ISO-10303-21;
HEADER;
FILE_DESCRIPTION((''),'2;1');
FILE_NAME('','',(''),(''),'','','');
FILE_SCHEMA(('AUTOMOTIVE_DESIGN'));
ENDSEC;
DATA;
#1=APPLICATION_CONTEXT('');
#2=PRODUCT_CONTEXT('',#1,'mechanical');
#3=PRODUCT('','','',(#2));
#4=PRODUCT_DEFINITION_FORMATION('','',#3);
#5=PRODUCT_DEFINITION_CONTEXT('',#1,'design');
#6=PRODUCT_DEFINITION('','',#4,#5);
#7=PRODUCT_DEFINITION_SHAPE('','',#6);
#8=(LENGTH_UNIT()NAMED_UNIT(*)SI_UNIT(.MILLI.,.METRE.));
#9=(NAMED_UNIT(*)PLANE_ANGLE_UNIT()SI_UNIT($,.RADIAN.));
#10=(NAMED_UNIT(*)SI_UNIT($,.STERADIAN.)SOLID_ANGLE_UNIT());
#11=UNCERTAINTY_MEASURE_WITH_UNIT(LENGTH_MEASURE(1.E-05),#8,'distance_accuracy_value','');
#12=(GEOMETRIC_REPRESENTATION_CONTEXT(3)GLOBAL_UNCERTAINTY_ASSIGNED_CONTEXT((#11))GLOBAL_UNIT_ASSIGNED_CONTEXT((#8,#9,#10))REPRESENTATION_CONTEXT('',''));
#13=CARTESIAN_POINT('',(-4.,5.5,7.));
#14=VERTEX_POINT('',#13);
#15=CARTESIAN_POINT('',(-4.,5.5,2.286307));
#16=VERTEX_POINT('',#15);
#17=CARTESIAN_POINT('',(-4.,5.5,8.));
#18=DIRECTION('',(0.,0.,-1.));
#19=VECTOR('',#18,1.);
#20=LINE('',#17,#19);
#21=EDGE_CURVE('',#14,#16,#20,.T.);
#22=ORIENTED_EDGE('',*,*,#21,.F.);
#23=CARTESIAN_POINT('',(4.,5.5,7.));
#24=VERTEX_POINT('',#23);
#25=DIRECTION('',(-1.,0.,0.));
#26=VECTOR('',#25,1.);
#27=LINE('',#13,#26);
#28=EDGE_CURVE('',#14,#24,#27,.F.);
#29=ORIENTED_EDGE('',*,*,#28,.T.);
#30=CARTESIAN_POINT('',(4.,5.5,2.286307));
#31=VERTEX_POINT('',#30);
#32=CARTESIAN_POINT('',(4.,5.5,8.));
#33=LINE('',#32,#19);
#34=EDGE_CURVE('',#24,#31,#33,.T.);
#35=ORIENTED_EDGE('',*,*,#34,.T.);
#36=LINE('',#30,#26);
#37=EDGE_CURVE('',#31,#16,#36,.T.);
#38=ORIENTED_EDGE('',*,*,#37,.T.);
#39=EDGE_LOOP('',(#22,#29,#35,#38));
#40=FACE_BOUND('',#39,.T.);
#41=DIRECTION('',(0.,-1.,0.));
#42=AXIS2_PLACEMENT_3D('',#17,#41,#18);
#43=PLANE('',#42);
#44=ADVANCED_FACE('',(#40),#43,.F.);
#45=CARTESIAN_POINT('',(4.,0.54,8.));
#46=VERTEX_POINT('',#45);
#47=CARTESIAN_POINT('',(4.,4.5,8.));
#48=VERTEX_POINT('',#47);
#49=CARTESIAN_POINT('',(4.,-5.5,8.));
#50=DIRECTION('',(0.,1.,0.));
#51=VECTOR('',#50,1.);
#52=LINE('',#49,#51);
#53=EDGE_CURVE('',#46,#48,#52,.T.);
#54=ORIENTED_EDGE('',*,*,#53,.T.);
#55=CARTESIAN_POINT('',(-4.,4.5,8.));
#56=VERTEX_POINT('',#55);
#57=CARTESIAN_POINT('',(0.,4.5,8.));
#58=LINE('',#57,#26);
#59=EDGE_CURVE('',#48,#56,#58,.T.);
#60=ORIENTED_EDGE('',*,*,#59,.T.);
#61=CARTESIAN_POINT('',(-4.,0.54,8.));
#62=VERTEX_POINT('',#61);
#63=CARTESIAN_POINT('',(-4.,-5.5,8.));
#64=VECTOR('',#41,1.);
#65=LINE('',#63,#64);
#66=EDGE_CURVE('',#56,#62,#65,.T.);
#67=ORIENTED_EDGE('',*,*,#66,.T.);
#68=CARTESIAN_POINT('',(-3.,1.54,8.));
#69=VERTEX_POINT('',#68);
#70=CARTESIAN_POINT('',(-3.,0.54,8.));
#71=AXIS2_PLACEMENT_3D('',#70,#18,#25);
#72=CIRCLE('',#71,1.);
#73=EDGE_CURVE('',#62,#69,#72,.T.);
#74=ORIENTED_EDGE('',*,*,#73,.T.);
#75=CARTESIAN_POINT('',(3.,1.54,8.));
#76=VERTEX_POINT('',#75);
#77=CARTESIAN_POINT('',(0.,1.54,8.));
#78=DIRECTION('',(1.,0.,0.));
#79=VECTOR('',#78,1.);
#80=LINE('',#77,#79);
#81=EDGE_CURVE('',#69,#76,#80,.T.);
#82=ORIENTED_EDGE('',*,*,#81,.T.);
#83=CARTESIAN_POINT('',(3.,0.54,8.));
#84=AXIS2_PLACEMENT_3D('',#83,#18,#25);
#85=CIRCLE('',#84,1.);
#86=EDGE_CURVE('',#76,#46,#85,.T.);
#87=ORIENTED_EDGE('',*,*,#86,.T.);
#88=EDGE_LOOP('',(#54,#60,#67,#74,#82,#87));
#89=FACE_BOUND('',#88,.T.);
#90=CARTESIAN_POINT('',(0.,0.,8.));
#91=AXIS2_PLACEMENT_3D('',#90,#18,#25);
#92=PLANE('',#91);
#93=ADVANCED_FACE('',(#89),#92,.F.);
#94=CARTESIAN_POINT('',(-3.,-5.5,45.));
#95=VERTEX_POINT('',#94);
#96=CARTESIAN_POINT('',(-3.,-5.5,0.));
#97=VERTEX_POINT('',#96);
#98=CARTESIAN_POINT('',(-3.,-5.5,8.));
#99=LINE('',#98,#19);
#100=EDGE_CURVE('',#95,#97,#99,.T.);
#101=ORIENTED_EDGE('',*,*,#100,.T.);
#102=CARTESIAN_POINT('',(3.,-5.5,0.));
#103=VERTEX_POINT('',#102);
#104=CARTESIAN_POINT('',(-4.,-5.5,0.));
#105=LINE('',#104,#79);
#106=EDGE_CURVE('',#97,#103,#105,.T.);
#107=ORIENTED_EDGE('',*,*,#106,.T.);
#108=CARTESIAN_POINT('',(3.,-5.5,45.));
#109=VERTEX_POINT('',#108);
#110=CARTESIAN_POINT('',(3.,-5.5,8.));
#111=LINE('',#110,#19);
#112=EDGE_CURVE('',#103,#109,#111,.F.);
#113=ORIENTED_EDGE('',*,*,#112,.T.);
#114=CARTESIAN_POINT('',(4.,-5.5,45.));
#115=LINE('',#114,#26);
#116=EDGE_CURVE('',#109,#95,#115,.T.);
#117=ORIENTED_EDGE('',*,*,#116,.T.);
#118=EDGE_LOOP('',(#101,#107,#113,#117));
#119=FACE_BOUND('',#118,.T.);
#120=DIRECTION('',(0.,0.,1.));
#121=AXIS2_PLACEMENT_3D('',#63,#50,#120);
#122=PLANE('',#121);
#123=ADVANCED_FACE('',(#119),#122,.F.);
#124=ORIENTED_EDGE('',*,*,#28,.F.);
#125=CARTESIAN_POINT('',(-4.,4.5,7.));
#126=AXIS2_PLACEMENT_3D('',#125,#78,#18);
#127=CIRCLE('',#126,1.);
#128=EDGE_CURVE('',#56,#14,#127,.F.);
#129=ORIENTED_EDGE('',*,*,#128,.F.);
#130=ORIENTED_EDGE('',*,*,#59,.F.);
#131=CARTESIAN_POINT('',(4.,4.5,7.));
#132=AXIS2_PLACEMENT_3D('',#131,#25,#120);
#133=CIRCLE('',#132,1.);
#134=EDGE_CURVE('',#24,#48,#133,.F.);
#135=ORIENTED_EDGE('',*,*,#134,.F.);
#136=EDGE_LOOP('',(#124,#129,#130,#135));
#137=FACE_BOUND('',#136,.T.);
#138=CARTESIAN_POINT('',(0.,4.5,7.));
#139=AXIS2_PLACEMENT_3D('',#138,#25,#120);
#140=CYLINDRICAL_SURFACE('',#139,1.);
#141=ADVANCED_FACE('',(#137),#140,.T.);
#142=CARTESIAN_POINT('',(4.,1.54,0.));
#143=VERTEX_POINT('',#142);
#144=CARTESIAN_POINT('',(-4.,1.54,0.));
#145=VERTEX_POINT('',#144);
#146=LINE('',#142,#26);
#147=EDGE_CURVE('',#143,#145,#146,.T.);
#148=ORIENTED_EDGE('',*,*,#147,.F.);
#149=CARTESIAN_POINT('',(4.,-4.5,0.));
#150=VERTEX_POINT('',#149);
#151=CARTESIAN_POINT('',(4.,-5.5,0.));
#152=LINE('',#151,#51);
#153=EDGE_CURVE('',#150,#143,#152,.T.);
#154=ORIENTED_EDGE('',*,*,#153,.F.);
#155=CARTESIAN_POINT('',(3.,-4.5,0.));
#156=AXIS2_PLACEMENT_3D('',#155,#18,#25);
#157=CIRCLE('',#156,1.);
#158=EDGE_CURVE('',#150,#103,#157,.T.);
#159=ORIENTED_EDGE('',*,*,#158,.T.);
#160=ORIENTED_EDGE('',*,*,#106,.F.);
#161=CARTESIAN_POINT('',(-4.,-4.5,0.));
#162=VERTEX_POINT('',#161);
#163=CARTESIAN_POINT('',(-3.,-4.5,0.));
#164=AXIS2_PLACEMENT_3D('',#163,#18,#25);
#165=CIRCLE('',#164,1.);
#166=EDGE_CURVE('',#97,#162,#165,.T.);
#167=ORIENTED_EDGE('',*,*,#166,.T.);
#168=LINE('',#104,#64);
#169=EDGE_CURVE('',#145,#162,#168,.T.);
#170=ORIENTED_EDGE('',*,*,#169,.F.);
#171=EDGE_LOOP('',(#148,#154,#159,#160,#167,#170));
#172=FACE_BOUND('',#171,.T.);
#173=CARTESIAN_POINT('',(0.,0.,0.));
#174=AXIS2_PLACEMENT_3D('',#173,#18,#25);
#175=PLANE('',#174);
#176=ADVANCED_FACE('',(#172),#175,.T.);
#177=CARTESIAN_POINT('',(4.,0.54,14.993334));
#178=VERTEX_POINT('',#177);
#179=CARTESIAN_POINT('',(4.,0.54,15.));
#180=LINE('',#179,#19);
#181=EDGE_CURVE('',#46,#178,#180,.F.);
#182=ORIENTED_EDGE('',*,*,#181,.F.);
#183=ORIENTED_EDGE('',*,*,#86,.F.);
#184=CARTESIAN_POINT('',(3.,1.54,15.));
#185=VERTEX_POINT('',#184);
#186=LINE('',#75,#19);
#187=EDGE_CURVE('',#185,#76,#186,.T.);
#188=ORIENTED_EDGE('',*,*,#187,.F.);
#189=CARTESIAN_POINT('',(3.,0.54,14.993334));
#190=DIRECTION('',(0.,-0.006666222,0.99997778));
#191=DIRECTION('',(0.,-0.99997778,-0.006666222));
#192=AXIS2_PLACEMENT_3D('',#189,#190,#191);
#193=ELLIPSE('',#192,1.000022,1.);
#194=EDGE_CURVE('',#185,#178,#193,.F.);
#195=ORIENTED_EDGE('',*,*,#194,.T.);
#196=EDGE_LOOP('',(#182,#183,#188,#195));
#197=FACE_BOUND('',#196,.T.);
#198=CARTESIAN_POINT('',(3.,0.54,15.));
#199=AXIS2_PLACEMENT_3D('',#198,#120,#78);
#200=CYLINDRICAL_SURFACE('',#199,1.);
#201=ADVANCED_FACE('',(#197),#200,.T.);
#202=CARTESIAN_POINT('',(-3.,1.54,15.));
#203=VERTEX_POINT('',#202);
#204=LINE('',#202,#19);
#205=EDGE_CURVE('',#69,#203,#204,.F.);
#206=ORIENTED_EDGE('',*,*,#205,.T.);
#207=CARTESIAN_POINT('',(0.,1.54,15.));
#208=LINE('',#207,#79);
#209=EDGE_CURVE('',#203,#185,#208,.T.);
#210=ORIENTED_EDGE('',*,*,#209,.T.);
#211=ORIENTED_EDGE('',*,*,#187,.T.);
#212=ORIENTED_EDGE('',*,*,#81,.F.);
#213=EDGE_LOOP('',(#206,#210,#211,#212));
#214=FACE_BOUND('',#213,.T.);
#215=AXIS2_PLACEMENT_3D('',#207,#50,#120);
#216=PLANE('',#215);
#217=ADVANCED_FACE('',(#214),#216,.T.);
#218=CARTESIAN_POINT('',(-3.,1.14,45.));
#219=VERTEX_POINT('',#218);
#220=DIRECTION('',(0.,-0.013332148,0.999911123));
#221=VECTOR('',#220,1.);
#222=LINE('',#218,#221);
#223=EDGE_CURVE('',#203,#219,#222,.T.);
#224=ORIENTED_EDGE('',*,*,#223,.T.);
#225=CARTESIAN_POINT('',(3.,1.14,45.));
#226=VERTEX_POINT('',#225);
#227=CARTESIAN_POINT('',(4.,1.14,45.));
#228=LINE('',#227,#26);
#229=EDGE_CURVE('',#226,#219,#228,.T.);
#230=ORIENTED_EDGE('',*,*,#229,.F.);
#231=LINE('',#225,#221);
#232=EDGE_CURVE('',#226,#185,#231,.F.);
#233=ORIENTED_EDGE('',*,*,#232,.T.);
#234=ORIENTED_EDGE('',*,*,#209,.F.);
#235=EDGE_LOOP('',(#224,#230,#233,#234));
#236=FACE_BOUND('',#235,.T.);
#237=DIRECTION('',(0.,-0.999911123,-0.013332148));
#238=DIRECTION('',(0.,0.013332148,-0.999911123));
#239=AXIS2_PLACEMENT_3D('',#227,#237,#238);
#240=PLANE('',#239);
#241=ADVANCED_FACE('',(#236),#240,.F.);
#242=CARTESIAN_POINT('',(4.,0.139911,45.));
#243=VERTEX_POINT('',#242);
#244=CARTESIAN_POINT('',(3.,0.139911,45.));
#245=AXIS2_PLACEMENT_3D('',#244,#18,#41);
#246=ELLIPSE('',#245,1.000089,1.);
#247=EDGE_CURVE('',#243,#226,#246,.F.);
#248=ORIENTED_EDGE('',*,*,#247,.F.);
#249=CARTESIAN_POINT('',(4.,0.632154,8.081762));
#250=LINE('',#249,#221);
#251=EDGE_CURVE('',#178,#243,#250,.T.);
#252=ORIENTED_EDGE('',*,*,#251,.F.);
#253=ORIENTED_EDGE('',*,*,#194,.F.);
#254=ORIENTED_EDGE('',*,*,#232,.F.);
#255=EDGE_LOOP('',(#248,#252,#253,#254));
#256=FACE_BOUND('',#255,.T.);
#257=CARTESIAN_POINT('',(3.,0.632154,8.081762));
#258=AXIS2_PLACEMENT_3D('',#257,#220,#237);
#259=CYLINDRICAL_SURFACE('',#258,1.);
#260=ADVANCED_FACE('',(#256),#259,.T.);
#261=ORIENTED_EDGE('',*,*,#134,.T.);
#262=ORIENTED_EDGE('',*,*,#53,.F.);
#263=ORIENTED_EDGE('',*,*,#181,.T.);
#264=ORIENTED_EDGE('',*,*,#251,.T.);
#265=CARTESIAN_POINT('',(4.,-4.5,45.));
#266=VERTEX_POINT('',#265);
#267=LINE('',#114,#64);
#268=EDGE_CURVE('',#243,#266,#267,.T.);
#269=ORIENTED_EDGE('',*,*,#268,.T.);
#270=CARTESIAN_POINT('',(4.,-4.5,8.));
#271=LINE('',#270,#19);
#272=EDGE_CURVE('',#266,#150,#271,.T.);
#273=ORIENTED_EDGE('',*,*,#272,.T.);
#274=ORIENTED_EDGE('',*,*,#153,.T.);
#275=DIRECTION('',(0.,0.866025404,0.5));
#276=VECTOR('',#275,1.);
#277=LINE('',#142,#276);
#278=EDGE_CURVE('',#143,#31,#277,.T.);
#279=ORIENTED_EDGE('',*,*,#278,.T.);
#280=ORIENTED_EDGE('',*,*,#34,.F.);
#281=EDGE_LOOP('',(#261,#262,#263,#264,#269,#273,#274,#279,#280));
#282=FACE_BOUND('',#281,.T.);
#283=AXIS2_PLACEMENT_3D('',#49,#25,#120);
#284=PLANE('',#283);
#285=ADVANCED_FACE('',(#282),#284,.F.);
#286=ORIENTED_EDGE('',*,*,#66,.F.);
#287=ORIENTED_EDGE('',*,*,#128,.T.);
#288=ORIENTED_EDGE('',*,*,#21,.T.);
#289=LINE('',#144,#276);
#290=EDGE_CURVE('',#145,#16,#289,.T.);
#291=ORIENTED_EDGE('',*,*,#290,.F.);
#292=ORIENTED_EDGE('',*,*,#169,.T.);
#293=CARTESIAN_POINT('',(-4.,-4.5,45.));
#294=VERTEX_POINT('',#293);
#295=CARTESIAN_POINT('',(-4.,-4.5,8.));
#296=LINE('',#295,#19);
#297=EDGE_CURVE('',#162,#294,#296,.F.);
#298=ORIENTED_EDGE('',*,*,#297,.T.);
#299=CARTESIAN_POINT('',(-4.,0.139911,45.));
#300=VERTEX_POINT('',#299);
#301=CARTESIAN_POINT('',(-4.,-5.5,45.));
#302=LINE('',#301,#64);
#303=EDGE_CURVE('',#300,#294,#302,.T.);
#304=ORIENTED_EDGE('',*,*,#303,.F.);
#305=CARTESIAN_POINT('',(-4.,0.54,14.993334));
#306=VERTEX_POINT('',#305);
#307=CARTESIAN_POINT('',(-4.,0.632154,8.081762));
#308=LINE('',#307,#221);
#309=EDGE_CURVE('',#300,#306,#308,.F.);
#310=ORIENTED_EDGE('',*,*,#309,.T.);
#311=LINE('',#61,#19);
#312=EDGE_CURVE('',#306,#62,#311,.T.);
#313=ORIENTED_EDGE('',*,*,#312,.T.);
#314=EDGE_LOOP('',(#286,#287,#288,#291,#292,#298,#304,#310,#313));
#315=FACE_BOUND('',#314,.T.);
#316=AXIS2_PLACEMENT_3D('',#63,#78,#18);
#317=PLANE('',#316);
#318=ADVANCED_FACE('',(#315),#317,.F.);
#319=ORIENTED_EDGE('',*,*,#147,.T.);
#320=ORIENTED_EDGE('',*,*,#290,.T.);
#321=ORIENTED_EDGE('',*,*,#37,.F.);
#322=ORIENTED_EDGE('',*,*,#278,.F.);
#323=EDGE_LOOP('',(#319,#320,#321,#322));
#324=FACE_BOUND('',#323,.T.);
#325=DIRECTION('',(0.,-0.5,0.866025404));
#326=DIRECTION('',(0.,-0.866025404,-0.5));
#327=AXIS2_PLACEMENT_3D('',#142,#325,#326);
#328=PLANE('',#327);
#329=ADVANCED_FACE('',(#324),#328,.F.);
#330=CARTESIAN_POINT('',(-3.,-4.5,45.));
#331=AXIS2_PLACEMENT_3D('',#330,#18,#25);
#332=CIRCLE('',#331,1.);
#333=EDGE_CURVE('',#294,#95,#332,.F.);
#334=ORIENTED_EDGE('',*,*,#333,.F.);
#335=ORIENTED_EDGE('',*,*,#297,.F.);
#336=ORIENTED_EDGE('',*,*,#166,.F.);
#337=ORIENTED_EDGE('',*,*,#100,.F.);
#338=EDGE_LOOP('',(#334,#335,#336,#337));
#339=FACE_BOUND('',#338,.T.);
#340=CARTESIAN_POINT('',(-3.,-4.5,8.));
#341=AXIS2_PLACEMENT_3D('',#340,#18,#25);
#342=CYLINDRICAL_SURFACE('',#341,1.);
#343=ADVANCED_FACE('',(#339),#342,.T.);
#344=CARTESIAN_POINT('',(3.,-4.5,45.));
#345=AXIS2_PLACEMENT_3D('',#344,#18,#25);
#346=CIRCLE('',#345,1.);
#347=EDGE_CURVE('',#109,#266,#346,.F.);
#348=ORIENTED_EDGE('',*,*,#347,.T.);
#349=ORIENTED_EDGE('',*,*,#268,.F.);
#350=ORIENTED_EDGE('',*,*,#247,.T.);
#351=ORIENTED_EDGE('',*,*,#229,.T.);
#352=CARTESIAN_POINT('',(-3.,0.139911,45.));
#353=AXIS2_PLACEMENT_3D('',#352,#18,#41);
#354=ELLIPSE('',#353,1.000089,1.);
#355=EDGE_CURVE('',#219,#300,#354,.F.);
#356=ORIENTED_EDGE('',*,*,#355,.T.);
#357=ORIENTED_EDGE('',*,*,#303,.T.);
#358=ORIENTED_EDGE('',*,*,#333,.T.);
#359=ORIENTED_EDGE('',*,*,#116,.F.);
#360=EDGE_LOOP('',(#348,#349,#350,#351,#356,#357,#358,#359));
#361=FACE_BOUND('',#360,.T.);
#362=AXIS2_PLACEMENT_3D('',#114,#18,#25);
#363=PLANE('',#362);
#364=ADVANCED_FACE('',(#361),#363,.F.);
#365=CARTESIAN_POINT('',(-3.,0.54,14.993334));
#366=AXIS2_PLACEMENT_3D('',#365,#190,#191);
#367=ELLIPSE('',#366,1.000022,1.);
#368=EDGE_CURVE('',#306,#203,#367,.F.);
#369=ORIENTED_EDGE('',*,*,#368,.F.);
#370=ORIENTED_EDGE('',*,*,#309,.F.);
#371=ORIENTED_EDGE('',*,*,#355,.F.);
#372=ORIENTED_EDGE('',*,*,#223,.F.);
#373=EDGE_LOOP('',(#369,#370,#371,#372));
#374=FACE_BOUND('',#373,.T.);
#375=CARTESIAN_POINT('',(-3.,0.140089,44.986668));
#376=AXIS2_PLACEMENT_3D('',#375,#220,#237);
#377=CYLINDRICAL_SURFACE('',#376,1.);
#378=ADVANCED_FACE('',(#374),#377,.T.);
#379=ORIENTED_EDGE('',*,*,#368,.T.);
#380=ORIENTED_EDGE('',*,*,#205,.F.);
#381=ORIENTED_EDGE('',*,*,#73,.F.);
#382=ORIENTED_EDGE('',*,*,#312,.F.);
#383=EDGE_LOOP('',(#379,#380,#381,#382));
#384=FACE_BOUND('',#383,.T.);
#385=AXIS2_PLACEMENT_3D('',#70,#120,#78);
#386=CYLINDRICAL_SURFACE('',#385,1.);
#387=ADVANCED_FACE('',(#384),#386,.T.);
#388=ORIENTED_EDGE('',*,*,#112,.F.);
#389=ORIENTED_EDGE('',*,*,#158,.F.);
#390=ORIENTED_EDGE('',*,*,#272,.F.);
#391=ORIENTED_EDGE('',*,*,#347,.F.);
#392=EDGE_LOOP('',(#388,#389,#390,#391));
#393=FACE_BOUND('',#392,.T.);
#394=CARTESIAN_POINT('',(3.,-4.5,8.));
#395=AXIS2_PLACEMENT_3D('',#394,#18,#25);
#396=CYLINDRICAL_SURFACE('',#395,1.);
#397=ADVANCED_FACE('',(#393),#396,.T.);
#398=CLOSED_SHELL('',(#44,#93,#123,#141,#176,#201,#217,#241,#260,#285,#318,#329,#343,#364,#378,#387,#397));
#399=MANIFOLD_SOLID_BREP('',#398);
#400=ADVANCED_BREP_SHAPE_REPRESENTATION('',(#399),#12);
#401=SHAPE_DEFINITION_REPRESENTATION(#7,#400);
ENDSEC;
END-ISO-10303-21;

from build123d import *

# Parameters (mm, degrees)
SKETCH1_W               = 8
SKETCH1_H               = 11
BOSS_EXTRUDE1_DEPTH     = 8
SKETCH2_W               = 8
SKETCH2_H               = 7.04
BOSS_EXTRUDE2_DEPTH     = 7
BOSS_EXTRUDE3_DEPTH     = 4
CUT_EXTRUDE_THIN1_DEPTH = 4
FILLET1_R               = 1


with BuildPart() as part:
    # Sketch1 → Boss-Extrude1 (new body)
    with BuildSketch(Plane.XY):
        Rectangle(SKETCH1_W, SKETCH1_H)
    extrude(amount=BOSS_EXTRUDE1_DEPTH)

    # Sketch2 → Boss-Extrude2 (add)
    with BuildSketch(Plane.XY.offset(8)):
        with Locations((0, -1.98)):
            Rectangle(SKETCH2_W, SKETCH2_H)
    extrude(amount=BOSS_EXTRUDE2_DEPTH)

    # Sketch3 → Boss-Extrude3 (add, symmetric)
    with BuildSketch(Plane(origin=(0, 0, 0), x_dir=(0, 0, -1), z_dir=(1, 0, 0))):
        Polygon((-15, 1.54), (-15, -5.5), (-45, -5.5), (-45, 1.14), align=None)
    extrude(amount=BOSS_EXTRUDE3_DEPTH, both=True)

    # Sketch4 → Cut-Extrude-Thin1 (cut, symmetric)
    with BuildSketch(Plane(origin=(0, 0, 0), x_dir=(0, 0, -1), z_dir=(1, 0, 0))):
        Polygon((0, 1.54), (-2.286307066, 5.5), (6.373946972, 10.5), (8.660254038, 6.54), align=None)
    extrude(amount=CUT_EXTRUDE_THIN1_DEPTH, both=True, mode=Mode.SUBTRACT)

    # Fillet1
    fillet1_edges = [part.edges().sort_by_distance(p)[0] for p in [
        (4, 1.54, 11.5),
        (-4, 1.54, 11.5),
        (-4, 1.34, 30),
        (4, 1.34, 30),
        (4, -5.5, 22.5),
        (-4, -5.5, 22.5),
        (0, 5.5, 8),
    ]]
    fillet(fillet1_edges, radius=FILLET1_R)


solid = part.part
